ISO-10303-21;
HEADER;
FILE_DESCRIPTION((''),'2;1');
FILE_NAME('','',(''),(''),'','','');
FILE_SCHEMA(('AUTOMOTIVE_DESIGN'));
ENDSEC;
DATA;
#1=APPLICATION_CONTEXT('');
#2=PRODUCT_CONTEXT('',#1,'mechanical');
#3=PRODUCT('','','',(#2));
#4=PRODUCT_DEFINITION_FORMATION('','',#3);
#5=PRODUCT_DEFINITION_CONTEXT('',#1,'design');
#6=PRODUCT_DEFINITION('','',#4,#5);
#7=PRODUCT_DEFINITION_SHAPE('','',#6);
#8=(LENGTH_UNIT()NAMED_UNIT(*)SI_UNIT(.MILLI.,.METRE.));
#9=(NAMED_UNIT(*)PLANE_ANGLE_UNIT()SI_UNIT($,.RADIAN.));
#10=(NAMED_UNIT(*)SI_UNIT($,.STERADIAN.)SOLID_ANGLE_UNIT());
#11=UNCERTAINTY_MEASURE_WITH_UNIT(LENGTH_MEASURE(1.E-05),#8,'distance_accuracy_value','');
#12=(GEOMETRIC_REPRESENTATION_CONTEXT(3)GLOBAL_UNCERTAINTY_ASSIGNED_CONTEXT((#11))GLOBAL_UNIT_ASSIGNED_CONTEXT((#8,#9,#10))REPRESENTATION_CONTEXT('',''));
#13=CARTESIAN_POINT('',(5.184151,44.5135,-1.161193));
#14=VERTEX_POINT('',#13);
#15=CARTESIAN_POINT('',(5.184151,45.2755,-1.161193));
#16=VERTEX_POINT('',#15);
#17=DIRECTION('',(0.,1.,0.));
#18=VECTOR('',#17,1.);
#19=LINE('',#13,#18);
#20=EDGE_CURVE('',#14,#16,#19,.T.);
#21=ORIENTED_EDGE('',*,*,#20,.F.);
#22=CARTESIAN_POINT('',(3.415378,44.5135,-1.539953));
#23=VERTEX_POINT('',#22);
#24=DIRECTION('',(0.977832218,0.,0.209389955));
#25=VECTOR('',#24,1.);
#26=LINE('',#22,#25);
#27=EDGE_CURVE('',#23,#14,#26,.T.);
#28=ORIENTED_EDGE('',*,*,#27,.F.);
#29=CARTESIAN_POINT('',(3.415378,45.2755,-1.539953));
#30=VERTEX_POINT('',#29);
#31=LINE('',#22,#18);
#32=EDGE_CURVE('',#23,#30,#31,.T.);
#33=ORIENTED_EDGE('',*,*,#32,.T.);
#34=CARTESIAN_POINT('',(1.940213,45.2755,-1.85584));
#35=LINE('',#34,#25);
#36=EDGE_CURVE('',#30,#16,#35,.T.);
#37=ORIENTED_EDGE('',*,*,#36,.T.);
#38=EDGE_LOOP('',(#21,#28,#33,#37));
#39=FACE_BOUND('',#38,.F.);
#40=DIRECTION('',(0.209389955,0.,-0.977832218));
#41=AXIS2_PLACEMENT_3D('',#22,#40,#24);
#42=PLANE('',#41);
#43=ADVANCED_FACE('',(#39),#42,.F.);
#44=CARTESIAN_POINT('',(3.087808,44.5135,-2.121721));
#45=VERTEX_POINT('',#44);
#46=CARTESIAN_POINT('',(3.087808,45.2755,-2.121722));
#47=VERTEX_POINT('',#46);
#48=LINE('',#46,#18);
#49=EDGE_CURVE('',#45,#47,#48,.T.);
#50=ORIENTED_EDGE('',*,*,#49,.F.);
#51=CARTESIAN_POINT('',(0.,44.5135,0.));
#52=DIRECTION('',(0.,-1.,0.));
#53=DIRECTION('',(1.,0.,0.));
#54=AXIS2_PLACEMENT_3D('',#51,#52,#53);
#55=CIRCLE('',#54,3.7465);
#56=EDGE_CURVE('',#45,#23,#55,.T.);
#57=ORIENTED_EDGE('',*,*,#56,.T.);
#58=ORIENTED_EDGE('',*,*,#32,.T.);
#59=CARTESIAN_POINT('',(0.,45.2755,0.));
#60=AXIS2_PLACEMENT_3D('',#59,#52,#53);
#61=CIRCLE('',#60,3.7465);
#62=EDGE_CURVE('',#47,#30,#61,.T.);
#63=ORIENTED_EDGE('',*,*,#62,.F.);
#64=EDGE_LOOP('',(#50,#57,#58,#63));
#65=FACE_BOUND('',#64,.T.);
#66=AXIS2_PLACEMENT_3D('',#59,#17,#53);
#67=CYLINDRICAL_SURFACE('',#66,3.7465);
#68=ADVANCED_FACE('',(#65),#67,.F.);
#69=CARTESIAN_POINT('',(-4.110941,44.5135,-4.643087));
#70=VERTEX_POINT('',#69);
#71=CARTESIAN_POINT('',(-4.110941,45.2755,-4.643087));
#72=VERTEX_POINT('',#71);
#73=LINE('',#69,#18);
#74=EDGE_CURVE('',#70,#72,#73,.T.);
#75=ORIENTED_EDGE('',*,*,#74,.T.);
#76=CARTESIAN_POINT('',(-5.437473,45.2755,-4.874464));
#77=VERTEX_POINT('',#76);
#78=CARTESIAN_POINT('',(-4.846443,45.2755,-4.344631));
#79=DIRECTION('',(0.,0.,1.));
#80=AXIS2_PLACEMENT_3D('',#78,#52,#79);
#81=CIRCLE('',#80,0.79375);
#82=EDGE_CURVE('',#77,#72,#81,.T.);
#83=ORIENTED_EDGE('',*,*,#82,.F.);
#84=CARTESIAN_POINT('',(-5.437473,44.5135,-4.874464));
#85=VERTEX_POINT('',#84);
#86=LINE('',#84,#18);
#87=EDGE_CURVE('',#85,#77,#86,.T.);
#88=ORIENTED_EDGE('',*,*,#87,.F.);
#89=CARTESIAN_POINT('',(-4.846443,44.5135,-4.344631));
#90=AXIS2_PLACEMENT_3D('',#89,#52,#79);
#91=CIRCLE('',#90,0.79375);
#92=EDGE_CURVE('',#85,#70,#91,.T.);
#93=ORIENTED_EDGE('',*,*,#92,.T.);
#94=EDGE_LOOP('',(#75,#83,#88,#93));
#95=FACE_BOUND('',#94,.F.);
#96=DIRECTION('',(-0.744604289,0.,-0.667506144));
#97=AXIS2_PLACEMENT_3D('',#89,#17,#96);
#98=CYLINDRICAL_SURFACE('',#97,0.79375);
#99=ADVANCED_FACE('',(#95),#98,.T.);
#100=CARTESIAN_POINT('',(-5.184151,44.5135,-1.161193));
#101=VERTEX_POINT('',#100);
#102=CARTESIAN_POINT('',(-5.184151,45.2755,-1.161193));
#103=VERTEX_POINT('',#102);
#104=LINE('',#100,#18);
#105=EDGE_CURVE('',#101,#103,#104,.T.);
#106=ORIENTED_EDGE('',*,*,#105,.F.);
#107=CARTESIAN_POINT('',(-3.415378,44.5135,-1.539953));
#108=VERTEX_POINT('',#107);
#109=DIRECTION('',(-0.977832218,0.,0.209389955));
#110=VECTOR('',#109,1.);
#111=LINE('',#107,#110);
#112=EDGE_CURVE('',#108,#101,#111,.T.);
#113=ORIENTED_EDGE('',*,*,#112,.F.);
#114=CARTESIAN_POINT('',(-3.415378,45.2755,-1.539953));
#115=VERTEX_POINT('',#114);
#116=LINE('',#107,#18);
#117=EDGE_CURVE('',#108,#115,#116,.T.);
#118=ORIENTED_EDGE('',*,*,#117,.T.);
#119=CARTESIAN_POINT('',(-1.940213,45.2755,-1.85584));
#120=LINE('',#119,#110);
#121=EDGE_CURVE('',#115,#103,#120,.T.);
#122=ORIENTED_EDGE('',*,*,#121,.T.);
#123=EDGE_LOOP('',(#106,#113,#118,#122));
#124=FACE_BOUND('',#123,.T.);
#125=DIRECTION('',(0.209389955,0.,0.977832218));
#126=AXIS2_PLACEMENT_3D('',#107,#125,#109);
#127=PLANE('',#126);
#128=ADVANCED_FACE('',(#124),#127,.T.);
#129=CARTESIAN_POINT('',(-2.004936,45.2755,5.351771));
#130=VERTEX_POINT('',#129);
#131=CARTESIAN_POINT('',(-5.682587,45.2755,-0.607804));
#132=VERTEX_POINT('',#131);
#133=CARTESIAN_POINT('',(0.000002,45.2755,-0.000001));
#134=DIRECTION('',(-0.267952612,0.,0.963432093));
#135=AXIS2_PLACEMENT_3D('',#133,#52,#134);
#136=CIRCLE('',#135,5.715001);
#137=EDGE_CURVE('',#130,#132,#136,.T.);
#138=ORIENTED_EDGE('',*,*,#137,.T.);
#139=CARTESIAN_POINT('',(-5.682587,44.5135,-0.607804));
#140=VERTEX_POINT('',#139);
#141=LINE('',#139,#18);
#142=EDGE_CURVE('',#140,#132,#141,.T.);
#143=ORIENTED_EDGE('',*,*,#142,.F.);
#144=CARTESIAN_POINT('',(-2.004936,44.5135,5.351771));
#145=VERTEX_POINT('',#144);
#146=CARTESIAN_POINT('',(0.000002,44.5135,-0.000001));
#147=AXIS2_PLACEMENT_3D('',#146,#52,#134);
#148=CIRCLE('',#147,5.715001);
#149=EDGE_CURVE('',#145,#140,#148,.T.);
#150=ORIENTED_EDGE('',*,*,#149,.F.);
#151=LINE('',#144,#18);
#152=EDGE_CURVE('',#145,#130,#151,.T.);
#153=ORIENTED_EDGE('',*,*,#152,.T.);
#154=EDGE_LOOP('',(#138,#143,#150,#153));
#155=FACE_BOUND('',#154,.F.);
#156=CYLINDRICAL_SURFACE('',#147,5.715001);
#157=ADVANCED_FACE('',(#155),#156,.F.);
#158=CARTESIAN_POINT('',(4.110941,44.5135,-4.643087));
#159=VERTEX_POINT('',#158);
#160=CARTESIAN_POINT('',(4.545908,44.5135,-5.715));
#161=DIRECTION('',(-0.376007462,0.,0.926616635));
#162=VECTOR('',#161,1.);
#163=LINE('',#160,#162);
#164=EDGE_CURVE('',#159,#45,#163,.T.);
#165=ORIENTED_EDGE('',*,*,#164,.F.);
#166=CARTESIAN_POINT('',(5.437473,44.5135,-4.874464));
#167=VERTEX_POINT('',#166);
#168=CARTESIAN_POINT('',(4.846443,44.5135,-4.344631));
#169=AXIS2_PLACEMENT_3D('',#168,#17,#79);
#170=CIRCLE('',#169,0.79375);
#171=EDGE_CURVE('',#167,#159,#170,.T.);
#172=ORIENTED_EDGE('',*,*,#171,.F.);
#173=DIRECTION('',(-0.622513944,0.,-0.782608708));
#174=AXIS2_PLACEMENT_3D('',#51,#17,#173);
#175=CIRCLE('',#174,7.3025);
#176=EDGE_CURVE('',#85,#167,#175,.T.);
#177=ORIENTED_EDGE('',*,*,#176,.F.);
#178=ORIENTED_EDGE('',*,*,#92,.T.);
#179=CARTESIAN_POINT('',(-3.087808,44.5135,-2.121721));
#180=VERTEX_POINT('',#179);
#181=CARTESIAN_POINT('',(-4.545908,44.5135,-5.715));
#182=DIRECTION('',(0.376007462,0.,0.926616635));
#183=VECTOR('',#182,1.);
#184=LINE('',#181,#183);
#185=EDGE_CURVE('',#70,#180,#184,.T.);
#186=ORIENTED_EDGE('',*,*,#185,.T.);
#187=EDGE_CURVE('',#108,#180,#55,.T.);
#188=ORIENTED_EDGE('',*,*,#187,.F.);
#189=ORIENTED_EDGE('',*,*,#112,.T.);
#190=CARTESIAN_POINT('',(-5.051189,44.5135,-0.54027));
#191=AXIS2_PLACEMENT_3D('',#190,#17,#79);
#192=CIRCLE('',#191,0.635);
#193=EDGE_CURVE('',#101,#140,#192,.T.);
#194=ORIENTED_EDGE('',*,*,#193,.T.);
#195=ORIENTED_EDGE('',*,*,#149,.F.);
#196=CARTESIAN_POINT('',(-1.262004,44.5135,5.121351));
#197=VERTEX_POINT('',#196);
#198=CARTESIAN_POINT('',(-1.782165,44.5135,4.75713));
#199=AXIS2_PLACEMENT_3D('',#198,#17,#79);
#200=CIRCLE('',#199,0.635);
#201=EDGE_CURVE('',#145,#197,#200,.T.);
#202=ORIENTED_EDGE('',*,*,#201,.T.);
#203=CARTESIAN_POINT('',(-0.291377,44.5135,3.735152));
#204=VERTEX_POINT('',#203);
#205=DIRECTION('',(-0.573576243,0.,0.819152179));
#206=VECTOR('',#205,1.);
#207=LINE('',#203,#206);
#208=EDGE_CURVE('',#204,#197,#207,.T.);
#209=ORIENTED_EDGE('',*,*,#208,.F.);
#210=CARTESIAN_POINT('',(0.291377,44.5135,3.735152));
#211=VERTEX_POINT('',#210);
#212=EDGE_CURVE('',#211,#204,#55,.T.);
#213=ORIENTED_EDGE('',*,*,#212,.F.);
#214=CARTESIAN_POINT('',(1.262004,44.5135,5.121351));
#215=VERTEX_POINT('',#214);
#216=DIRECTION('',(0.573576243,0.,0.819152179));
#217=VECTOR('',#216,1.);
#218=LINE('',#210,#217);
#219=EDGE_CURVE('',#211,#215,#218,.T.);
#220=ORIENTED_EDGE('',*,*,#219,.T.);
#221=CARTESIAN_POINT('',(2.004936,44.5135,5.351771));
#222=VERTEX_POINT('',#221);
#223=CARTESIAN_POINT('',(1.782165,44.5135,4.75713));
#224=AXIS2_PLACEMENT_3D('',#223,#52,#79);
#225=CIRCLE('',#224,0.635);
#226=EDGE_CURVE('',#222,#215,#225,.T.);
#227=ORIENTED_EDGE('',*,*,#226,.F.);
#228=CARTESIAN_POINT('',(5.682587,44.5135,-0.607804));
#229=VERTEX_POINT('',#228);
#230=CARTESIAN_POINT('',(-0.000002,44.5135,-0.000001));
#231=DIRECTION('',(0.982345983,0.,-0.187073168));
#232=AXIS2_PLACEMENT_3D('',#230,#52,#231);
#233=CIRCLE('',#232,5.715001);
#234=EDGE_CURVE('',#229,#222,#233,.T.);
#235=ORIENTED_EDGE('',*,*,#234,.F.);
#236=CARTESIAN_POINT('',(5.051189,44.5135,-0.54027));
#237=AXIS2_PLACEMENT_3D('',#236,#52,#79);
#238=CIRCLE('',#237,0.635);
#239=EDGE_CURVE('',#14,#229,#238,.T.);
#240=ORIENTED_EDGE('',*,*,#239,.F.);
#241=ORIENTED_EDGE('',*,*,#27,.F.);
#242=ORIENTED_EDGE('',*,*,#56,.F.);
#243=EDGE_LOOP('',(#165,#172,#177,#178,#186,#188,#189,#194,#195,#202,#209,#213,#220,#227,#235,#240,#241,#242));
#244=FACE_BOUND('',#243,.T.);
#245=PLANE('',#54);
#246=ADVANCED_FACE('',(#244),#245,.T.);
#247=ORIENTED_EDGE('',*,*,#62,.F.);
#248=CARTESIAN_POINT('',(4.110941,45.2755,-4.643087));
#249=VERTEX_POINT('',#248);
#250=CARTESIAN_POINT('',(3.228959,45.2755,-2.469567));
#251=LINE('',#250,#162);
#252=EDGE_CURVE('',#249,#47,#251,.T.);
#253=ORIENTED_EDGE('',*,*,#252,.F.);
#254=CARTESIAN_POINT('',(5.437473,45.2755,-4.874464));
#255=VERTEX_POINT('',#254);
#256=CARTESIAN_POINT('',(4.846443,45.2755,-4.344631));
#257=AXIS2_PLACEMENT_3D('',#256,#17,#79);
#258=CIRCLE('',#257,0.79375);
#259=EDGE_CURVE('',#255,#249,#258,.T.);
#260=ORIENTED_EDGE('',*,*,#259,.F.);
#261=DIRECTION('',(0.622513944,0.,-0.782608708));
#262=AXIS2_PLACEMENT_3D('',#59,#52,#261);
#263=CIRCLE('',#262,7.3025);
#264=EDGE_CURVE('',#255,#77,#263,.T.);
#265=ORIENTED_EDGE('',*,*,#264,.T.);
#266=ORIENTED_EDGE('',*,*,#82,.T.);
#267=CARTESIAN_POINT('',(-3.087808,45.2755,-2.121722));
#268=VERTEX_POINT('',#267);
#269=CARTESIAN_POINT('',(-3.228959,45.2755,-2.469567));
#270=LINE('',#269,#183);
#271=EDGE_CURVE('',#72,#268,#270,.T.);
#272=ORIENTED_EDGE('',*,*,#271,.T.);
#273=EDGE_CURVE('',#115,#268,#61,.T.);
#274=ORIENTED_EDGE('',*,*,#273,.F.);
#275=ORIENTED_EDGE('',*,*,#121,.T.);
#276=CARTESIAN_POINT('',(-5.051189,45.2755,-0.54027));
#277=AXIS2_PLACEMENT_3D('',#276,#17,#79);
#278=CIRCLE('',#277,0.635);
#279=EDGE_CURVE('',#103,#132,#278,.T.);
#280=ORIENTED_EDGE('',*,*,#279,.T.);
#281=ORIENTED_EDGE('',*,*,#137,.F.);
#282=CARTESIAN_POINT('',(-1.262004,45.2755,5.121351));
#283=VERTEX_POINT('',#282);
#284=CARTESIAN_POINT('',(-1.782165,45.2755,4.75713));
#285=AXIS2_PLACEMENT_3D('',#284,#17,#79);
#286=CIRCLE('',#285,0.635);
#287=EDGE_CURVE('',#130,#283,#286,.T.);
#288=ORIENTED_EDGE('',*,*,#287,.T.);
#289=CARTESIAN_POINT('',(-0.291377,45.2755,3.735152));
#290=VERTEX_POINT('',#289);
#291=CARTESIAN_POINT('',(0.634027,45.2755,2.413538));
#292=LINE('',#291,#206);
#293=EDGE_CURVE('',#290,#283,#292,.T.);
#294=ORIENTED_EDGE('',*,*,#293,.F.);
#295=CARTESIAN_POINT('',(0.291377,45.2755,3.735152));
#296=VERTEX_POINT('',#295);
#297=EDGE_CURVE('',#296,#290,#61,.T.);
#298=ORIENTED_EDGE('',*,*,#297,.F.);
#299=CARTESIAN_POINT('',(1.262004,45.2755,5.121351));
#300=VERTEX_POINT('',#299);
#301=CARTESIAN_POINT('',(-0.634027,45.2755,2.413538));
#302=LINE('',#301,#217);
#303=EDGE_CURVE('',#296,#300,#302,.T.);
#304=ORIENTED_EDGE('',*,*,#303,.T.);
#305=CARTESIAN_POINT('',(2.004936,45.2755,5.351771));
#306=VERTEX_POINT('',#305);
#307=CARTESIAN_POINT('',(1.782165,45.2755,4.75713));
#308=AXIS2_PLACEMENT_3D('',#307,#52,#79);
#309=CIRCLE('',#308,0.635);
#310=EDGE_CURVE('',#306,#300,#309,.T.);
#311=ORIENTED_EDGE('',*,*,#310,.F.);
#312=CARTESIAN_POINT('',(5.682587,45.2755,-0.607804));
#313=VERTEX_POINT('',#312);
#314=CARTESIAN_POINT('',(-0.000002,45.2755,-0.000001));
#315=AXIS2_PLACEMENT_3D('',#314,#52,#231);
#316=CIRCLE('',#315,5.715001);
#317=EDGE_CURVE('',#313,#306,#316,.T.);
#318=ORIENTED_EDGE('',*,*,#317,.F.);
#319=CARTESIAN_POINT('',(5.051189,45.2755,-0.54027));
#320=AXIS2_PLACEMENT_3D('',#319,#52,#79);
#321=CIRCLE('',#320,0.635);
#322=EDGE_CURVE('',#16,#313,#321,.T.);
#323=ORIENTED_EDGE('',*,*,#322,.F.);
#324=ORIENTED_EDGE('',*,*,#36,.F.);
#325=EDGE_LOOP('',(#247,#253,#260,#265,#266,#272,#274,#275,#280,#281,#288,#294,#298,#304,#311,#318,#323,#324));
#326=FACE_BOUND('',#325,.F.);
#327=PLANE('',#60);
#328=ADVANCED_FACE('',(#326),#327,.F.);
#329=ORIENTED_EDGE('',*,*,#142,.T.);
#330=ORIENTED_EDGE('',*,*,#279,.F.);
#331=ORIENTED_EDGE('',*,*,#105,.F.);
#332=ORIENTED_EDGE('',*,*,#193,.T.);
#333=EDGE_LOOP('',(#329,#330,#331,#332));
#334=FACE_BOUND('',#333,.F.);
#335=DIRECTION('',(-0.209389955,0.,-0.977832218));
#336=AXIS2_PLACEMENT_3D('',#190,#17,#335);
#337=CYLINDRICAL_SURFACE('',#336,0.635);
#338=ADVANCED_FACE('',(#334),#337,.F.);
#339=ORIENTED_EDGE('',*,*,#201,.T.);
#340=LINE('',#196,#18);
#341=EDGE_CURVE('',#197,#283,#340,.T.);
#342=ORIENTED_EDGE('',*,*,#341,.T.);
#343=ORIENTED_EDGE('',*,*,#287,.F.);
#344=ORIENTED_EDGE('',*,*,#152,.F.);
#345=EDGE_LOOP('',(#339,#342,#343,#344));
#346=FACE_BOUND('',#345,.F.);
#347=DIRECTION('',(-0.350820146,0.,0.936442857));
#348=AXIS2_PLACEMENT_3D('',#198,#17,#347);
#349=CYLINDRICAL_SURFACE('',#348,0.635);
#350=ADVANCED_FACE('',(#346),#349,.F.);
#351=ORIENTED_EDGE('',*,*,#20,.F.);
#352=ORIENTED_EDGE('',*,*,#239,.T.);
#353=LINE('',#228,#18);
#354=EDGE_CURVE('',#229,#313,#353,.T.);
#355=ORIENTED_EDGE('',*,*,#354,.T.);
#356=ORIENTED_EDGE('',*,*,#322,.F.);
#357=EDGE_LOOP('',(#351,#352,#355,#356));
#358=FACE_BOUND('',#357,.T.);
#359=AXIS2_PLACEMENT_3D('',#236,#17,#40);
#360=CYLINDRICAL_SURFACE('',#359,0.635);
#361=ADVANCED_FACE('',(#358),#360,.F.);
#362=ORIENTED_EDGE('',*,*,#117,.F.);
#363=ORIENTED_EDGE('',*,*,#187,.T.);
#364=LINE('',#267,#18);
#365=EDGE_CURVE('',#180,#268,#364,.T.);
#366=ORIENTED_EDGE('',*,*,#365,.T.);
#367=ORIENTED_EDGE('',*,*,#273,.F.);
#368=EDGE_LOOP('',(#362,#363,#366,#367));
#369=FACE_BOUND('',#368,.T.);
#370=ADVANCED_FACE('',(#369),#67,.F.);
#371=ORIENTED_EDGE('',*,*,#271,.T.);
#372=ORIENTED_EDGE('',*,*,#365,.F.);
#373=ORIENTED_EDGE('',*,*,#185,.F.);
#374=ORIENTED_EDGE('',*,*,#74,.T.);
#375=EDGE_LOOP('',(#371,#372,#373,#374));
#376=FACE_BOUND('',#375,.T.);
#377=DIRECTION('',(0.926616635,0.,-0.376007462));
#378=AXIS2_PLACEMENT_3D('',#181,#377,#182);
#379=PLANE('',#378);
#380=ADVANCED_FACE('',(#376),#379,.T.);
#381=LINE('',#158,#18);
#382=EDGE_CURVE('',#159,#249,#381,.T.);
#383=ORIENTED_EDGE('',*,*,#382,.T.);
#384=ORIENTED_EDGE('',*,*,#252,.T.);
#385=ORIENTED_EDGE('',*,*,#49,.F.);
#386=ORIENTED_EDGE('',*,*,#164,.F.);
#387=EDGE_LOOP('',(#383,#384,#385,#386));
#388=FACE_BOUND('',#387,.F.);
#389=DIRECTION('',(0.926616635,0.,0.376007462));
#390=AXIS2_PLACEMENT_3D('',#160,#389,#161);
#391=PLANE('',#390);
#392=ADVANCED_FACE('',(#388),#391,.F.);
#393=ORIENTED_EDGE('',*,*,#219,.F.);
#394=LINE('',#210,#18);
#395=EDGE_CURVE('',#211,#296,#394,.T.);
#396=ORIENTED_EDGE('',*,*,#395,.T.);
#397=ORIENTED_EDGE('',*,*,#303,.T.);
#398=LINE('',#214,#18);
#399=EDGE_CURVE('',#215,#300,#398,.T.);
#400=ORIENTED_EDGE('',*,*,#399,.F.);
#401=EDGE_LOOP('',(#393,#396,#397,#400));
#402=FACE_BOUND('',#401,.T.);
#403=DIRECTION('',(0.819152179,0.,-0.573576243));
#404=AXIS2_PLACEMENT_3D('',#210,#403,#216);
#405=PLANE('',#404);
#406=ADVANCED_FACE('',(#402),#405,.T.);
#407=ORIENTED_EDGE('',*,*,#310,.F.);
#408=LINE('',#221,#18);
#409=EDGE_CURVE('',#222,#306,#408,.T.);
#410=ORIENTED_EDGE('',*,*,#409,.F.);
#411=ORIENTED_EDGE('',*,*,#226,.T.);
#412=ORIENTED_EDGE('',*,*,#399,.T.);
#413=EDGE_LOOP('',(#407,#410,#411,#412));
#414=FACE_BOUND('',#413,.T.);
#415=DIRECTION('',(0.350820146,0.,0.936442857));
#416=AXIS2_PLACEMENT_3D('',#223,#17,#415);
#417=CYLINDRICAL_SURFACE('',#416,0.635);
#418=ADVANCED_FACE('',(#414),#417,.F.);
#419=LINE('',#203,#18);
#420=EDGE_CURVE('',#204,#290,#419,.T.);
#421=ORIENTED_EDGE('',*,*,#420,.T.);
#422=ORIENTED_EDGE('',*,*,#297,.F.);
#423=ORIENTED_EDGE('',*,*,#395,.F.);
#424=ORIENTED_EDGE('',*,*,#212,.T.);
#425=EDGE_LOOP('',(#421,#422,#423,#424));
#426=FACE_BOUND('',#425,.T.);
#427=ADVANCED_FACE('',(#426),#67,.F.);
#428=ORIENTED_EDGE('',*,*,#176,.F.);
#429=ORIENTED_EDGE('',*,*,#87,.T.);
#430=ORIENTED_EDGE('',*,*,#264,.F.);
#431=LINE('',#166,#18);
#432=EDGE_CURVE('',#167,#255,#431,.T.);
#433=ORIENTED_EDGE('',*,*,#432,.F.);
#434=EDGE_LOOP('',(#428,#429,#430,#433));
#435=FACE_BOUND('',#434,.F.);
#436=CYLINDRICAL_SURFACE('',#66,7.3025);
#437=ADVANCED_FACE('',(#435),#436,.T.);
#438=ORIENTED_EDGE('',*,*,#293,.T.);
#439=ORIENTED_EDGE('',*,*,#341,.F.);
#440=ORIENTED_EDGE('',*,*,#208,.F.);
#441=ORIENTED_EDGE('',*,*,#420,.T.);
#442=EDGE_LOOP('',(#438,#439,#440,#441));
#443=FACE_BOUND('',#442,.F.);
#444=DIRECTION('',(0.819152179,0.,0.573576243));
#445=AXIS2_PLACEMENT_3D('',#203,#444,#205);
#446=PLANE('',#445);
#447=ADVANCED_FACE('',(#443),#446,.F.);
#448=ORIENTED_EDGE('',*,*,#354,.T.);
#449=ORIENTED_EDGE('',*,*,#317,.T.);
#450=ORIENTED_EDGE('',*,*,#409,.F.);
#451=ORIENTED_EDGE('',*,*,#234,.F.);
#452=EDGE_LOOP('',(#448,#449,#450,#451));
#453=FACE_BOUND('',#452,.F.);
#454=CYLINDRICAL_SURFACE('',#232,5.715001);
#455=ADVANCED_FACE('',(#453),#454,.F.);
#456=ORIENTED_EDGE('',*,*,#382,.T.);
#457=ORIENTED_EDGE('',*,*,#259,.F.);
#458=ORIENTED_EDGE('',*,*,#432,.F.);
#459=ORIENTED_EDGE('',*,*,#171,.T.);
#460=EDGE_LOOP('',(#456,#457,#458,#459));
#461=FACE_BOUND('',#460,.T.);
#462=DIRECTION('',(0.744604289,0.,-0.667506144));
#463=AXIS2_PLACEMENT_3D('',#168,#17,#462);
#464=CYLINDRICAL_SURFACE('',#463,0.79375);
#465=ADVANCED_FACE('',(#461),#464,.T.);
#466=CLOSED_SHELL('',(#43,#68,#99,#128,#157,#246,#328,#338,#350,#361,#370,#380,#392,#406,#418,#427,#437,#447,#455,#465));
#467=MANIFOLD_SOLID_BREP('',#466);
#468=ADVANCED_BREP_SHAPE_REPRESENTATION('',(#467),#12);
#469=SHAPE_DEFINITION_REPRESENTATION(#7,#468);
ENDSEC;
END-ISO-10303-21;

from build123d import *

# Parameters (mm, degrees)
SKETCH046_R     = 7.3025
SKETCH046_R_2   = 3.7465
PAD007_DEPTH    = 0.762
POCKET006_DEPTH = 0.763
FILLET004_R     = 0.79375
FILLET005_R     = 0.635


with BuildPart() as part:
    # Sketch046 → Pad007 (new body)
    with BuildSketch(Plane.XZ):
        Circle(SKETCH046_R)
        Circle(SKETCH046_R_2, mode=Mode.SUBTRACT)
    extrude(amount=PAD007_DEPTH)

    # Sketch047 (on Face4 of Pad007) → Pocket006 (cut, through all)
    with BuildSketch(Plane.XZ.offset(0.762)):
        with BuildLine():
            Line((-4.545908, -5.715), (-3.087808, -2.121721))
            Line((-3.087808, -2.121721), (-2.896797, -1.651))
            Line((-2.896797, -1.651), (-3.415378, -1.539953))
            Line((-3.415378, -1.539953), (-5.614107, -1.069124))
            ThreePointArc((-1.531348, 5.506015), (-4.855151, 3.014752), (-5.614107, -1.069124))
            Line((-0.291377, 3.735152), (-1.531348, 5.506015))
            Line((-0.291377, 3.735152), (0, 3.319023))
            Line((0, 3.319023), (0.291377, 3.735152))
            Line((0.291377, 3.735152), (1.531348, 5.506015))
            ThreePointArc((5.614107, -1.069124), (4.855151, 3.014752), (1.531348, 5.506015))
            Line((3.415378, -1.539953), (5.614107, -1.069124))
            Line((3.415378, -1.539953), (2.896797, -1.651))
            Line((2.896797, -1.651), (3.087808, -2.121721))
            Line((4.545908, -5.715), (3.087808, -2.121721))
            Line((4.545908, -5.715), (5.040156, -5.715))
            ThreePointArc((-5.040156, -5.715), (0, -7.62), (5.040156, -5.715))
            Line((-4.545908, -5.715), (-5.040156, -5.715))
        make_face()
    extrude(amount=-POCKET006_DEPTH, mode=Mode.SUBTRACT)

    # Fillet004
    fillet004_edges = [part.edges().sort_by_distance(p)[0] for p in [
        (-4.545908, -0.381, -5.715),
        (4.545908, -0.381, -5.715),
    ]]
    fillet(fillet004_edges, radius=FILLET004_R)

    # Fillet005
    fillet005_edges = [part.edges().sort_by_distance(p)[0] for p in [
        (-5.614107, -0.381, -1.069124),
        (5.614107, -0.381, -1.069124),
        (-1.531348, -0.381, 5.506015),
        (1.531348, -0.381, 5.506015),
    ]]
    fillet(fillet005_edges, radius=FILLET005_R)


with BuildPart() as part_1:
    # Body005 placement: moved
    add(part.part.moved(Location((0, 45.2755, 0))))


solid = part_1.part
